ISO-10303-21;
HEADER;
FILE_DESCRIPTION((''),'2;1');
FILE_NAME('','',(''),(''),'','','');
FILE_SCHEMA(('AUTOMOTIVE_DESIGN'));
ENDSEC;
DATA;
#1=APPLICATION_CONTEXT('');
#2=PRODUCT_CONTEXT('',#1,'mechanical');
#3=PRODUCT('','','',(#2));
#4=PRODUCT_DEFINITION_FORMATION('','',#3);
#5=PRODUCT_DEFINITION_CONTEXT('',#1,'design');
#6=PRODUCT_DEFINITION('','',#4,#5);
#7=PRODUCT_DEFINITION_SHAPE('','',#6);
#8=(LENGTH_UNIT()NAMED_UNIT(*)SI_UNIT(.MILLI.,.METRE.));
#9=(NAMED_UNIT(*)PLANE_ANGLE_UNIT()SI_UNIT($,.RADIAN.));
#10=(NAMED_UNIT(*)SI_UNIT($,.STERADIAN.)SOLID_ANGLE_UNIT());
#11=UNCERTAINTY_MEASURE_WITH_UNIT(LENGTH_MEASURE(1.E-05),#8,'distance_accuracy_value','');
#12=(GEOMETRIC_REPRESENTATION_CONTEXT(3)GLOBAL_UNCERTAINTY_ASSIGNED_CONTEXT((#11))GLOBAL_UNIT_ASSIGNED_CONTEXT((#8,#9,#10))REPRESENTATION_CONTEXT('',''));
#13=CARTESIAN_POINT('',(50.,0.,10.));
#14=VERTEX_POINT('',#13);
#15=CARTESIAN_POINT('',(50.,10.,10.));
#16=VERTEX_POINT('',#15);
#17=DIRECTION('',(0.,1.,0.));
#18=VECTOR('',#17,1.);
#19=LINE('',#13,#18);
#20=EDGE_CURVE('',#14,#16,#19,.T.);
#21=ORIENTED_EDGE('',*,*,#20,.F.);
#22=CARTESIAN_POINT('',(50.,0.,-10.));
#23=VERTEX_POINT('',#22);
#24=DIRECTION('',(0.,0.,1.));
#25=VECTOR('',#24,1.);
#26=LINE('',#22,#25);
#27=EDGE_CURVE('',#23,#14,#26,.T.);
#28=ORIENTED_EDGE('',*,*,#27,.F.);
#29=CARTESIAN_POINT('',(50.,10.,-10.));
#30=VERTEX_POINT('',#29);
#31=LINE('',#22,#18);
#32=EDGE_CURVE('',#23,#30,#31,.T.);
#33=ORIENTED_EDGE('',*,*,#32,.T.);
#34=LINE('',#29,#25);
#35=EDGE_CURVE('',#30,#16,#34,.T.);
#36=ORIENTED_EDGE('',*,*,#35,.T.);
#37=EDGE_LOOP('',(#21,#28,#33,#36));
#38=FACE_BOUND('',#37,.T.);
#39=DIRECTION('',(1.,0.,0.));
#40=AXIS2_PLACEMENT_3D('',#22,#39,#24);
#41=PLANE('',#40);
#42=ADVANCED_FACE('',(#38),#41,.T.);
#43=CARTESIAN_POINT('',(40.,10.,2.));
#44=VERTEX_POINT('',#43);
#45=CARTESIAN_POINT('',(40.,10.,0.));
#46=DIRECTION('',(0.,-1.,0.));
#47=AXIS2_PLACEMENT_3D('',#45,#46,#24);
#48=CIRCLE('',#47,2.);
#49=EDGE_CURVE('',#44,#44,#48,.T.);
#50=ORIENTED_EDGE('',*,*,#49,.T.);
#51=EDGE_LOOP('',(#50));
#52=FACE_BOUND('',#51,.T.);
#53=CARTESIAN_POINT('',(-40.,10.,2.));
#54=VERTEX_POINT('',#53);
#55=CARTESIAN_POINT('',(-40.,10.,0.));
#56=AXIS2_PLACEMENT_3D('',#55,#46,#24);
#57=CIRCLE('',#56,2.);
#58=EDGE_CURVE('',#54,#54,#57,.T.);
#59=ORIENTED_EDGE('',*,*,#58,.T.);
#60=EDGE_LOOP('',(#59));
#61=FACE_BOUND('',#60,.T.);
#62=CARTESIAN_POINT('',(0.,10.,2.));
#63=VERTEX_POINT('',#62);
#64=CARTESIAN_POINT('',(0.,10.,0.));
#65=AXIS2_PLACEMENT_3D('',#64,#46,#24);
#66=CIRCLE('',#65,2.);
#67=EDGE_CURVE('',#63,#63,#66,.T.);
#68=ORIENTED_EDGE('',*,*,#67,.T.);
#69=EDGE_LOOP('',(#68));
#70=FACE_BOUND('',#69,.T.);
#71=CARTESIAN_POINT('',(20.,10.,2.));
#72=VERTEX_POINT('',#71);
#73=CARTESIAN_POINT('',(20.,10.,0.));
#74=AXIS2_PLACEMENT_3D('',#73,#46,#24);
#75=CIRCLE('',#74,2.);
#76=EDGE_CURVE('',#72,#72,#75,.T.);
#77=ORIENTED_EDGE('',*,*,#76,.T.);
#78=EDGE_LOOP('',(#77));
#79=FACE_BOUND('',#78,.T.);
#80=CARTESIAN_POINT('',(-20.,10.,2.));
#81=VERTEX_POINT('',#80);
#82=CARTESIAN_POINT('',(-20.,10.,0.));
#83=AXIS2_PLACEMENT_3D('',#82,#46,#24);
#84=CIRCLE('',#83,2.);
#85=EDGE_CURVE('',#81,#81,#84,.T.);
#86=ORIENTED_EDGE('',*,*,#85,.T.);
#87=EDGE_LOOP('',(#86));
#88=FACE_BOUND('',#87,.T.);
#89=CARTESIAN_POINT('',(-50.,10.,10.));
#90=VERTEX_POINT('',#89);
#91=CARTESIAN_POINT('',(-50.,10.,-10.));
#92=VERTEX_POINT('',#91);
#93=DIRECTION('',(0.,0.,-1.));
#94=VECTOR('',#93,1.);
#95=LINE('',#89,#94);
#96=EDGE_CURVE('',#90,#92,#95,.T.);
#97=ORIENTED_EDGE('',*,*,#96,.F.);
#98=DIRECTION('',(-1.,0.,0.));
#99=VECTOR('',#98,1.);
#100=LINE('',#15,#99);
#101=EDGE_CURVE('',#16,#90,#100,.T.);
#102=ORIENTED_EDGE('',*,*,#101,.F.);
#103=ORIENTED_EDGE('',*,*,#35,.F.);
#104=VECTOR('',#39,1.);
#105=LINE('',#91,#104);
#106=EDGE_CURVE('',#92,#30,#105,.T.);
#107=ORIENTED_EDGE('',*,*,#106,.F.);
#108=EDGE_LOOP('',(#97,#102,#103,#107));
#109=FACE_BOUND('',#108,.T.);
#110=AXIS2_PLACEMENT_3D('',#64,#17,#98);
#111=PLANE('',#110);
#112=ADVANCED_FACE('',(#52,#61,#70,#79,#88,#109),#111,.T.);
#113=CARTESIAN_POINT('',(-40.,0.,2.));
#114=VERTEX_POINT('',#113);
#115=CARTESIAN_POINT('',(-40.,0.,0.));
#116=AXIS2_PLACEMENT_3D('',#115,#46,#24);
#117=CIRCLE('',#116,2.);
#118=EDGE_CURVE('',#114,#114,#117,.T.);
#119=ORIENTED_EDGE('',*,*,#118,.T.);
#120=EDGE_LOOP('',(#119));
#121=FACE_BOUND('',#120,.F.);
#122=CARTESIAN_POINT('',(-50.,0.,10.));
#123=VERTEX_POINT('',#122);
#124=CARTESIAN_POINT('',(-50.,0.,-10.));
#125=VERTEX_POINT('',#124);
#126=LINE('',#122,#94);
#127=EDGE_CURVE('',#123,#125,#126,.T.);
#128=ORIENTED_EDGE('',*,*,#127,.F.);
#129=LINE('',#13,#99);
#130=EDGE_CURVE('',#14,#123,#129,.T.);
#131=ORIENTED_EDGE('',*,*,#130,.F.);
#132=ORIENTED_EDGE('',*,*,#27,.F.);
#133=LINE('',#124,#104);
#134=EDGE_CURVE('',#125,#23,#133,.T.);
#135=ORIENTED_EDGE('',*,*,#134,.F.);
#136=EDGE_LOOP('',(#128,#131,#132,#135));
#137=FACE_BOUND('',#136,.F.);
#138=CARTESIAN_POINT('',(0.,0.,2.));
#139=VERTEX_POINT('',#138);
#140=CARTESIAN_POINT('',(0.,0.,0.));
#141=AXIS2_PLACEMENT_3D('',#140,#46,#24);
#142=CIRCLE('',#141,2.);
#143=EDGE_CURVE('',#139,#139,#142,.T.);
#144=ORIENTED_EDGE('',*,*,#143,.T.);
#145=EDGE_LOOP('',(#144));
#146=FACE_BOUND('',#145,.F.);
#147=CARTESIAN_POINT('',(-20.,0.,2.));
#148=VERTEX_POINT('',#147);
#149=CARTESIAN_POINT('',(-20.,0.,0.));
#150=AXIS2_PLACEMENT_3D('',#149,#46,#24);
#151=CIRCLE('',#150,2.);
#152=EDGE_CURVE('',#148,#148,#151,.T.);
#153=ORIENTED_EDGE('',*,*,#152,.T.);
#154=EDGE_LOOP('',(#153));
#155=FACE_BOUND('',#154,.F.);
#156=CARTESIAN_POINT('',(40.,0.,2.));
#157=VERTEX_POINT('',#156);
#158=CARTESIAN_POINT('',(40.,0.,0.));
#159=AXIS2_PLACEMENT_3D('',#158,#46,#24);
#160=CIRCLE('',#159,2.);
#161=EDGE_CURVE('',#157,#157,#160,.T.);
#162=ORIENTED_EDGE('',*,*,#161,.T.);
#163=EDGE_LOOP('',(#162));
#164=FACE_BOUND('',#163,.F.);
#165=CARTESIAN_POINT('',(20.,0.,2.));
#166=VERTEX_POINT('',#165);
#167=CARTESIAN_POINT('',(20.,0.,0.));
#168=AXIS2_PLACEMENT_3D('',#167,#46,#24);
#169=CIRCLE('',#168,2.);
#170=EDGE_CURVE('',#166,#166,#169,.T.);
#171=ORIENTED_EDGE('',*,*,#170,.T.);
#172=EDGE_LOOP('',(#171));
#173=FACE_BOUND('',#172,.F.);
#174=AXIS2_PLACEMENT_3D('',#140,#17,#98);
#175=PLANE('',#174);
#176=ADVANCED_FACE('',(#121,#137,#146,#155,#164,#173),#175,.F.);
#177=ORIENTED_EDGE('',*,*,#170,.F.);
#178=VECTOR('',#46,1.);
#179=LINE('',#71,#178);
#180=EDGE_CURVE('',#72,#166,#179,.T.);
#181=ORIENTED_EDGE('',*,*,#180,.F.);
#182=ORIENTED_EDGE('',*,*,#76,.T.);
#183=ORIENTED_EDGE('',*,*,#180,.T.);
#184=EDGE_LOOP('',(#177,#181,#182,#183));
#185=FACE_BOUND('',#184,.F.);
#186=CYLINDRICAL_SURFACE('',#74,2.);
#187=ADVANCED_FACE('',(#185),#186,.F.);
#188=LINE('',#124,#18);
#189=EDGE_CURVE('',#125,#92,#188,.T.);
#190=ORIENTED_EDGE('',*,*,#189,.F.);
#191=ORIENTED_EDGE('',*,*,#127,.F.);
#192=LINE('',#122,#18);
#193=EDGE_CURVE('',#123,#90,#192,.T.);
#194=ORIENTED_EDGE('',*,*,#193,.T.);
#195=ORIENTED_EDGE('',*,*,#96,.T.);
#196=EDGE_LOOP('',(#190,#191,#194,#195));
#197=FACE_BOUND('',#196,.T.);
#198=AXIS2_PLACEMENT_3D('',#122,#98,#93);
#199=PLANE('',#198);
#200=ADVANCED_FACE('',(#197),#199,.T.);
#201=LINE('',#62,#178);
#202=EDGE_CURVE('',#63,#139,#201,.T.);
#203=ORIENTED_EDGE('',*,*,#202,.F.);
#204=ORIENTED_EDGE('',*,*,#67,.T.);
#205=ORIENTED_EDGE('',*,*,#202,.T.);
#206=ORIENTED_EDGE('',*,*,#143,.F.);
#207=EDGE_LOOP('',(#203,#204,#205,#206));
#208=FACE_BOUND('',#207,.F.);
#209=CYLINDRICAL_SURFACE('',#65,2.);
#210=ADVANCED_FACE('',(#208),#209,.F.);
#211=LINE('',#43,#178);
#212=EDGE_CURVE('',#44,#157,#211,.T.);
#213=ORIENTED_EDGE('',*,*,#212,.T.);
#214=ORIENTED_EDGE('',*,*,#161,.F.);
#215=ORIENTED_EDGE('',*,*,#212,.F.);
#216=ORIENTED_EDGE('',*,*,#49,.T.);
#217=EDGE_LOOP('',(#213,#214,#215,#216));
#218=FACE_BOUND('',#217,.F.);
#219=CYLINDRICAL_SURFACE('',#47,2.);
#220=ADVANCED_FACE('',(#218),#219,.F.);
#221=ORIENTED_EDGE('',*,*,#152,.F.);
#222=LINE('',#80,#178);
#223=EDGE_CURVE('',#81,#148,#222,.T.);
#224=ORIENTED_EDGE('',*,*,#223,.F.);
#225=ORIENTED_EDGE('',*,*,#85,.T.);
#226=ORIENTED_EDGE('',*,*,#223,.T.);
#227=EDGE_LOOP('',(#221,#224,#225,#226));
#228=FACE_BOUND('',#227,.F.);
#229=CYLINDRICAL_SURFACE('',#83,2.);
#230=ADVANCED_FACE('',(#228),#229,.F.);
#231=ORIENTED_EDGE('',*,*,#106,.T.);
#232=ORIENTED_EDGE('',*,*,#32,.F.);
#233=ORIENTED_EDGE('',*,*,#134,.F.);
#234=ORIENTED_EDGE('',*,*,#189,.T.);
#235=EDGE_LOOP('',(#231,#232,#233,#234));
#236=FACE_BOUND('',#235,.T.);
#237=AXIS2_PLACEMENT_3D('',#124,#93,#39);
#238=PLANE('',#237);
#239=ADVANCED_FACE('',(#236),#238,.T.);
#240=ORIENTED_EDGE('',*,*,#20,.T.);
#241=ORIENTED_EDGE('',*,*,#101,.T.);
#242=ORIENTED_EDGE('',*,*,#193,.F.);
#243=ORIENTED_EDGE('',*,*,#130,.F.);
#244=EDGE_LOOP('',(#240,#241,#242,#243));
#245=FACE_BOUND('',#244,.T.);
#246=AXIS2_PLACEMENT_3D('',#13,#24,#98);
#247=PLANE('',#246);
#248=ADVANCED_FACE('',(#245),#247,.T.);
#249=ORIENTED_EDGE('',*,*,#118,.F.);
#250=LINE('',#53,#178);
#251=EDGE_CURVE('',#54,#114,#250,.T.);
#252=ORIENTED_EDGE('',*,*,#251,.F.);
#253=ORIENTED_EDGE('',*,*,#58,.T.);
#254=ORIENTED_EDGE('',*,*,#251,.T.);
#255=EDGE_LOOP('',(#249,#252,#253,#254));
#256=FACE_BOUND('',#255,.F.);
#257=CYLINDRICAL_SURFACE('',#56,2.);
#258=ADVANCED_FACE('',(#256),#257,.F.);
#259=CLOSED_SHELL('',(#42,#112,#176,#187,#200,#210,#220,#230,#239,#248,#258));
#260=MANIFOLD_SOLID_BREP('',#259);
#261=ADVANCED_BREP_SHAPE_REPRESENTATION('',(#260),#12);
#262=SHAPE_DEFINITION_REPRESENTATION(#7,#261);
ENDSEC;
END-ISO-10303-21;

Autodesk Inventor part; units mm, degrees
ref_plane "YZ Plane" through (0, 0, 0) normal (1, 0, 0) x (0, 1, 0)
ref_plane "XZ Plane" through (0, 0, 0) normal (0, 1, 0) x (-1, 0, 0)
ref_plane "XY Plane" through (0, 0, 0) normal (0, 0, 1) x (1, 0, 0)
sketch "Skizze1" plane through (0, 0, 0) normal (0, 1, 0) x (-1, 0, 0)
  line L0 (-50, 10) -> (50, 10)
  line L1 (50, 10) -> (50, -10)
  line L2 (50, -10) -> (-50, -10)
  line L3 (-50, -10) -> (-50, 10)
  line L4 (-50, 10) -> (50, -10) construction
  line L5 (50, 10) -> (-50, -10) construction
  point P0 (0, 0)
  dimension "d0" = 100
  dimension "d1" = 20
extrude "Extrusion1" add sketch "Skizze1" along normal blind 10
sketch "Skizze2" plane through (0, 10, 0) normal (0, 1, 0) x (1, 0, 0)
  line L0 (-70, 0) -> (70, 0) projected
  line L1 (-50, 10) -> (-50, -10) projected
  point P0 (0, 0)
  point P1 (-40, 0)
  point P2 (-20, 0)
  point P3 (0, 0)
  point P4 (20, 0)
  point P5 (40, 0)
  dimension "d4" = 10
  dimension "d7" = 20
hole "Bohrung1" at (-40, 10, 0) at (-20, 10, 0) at (0, 10, 0) at (20, 10, 0) at (40, 10, 0) direction (0, -1, 0) diameter 4 end through all
properties part number "Linear_rail"
